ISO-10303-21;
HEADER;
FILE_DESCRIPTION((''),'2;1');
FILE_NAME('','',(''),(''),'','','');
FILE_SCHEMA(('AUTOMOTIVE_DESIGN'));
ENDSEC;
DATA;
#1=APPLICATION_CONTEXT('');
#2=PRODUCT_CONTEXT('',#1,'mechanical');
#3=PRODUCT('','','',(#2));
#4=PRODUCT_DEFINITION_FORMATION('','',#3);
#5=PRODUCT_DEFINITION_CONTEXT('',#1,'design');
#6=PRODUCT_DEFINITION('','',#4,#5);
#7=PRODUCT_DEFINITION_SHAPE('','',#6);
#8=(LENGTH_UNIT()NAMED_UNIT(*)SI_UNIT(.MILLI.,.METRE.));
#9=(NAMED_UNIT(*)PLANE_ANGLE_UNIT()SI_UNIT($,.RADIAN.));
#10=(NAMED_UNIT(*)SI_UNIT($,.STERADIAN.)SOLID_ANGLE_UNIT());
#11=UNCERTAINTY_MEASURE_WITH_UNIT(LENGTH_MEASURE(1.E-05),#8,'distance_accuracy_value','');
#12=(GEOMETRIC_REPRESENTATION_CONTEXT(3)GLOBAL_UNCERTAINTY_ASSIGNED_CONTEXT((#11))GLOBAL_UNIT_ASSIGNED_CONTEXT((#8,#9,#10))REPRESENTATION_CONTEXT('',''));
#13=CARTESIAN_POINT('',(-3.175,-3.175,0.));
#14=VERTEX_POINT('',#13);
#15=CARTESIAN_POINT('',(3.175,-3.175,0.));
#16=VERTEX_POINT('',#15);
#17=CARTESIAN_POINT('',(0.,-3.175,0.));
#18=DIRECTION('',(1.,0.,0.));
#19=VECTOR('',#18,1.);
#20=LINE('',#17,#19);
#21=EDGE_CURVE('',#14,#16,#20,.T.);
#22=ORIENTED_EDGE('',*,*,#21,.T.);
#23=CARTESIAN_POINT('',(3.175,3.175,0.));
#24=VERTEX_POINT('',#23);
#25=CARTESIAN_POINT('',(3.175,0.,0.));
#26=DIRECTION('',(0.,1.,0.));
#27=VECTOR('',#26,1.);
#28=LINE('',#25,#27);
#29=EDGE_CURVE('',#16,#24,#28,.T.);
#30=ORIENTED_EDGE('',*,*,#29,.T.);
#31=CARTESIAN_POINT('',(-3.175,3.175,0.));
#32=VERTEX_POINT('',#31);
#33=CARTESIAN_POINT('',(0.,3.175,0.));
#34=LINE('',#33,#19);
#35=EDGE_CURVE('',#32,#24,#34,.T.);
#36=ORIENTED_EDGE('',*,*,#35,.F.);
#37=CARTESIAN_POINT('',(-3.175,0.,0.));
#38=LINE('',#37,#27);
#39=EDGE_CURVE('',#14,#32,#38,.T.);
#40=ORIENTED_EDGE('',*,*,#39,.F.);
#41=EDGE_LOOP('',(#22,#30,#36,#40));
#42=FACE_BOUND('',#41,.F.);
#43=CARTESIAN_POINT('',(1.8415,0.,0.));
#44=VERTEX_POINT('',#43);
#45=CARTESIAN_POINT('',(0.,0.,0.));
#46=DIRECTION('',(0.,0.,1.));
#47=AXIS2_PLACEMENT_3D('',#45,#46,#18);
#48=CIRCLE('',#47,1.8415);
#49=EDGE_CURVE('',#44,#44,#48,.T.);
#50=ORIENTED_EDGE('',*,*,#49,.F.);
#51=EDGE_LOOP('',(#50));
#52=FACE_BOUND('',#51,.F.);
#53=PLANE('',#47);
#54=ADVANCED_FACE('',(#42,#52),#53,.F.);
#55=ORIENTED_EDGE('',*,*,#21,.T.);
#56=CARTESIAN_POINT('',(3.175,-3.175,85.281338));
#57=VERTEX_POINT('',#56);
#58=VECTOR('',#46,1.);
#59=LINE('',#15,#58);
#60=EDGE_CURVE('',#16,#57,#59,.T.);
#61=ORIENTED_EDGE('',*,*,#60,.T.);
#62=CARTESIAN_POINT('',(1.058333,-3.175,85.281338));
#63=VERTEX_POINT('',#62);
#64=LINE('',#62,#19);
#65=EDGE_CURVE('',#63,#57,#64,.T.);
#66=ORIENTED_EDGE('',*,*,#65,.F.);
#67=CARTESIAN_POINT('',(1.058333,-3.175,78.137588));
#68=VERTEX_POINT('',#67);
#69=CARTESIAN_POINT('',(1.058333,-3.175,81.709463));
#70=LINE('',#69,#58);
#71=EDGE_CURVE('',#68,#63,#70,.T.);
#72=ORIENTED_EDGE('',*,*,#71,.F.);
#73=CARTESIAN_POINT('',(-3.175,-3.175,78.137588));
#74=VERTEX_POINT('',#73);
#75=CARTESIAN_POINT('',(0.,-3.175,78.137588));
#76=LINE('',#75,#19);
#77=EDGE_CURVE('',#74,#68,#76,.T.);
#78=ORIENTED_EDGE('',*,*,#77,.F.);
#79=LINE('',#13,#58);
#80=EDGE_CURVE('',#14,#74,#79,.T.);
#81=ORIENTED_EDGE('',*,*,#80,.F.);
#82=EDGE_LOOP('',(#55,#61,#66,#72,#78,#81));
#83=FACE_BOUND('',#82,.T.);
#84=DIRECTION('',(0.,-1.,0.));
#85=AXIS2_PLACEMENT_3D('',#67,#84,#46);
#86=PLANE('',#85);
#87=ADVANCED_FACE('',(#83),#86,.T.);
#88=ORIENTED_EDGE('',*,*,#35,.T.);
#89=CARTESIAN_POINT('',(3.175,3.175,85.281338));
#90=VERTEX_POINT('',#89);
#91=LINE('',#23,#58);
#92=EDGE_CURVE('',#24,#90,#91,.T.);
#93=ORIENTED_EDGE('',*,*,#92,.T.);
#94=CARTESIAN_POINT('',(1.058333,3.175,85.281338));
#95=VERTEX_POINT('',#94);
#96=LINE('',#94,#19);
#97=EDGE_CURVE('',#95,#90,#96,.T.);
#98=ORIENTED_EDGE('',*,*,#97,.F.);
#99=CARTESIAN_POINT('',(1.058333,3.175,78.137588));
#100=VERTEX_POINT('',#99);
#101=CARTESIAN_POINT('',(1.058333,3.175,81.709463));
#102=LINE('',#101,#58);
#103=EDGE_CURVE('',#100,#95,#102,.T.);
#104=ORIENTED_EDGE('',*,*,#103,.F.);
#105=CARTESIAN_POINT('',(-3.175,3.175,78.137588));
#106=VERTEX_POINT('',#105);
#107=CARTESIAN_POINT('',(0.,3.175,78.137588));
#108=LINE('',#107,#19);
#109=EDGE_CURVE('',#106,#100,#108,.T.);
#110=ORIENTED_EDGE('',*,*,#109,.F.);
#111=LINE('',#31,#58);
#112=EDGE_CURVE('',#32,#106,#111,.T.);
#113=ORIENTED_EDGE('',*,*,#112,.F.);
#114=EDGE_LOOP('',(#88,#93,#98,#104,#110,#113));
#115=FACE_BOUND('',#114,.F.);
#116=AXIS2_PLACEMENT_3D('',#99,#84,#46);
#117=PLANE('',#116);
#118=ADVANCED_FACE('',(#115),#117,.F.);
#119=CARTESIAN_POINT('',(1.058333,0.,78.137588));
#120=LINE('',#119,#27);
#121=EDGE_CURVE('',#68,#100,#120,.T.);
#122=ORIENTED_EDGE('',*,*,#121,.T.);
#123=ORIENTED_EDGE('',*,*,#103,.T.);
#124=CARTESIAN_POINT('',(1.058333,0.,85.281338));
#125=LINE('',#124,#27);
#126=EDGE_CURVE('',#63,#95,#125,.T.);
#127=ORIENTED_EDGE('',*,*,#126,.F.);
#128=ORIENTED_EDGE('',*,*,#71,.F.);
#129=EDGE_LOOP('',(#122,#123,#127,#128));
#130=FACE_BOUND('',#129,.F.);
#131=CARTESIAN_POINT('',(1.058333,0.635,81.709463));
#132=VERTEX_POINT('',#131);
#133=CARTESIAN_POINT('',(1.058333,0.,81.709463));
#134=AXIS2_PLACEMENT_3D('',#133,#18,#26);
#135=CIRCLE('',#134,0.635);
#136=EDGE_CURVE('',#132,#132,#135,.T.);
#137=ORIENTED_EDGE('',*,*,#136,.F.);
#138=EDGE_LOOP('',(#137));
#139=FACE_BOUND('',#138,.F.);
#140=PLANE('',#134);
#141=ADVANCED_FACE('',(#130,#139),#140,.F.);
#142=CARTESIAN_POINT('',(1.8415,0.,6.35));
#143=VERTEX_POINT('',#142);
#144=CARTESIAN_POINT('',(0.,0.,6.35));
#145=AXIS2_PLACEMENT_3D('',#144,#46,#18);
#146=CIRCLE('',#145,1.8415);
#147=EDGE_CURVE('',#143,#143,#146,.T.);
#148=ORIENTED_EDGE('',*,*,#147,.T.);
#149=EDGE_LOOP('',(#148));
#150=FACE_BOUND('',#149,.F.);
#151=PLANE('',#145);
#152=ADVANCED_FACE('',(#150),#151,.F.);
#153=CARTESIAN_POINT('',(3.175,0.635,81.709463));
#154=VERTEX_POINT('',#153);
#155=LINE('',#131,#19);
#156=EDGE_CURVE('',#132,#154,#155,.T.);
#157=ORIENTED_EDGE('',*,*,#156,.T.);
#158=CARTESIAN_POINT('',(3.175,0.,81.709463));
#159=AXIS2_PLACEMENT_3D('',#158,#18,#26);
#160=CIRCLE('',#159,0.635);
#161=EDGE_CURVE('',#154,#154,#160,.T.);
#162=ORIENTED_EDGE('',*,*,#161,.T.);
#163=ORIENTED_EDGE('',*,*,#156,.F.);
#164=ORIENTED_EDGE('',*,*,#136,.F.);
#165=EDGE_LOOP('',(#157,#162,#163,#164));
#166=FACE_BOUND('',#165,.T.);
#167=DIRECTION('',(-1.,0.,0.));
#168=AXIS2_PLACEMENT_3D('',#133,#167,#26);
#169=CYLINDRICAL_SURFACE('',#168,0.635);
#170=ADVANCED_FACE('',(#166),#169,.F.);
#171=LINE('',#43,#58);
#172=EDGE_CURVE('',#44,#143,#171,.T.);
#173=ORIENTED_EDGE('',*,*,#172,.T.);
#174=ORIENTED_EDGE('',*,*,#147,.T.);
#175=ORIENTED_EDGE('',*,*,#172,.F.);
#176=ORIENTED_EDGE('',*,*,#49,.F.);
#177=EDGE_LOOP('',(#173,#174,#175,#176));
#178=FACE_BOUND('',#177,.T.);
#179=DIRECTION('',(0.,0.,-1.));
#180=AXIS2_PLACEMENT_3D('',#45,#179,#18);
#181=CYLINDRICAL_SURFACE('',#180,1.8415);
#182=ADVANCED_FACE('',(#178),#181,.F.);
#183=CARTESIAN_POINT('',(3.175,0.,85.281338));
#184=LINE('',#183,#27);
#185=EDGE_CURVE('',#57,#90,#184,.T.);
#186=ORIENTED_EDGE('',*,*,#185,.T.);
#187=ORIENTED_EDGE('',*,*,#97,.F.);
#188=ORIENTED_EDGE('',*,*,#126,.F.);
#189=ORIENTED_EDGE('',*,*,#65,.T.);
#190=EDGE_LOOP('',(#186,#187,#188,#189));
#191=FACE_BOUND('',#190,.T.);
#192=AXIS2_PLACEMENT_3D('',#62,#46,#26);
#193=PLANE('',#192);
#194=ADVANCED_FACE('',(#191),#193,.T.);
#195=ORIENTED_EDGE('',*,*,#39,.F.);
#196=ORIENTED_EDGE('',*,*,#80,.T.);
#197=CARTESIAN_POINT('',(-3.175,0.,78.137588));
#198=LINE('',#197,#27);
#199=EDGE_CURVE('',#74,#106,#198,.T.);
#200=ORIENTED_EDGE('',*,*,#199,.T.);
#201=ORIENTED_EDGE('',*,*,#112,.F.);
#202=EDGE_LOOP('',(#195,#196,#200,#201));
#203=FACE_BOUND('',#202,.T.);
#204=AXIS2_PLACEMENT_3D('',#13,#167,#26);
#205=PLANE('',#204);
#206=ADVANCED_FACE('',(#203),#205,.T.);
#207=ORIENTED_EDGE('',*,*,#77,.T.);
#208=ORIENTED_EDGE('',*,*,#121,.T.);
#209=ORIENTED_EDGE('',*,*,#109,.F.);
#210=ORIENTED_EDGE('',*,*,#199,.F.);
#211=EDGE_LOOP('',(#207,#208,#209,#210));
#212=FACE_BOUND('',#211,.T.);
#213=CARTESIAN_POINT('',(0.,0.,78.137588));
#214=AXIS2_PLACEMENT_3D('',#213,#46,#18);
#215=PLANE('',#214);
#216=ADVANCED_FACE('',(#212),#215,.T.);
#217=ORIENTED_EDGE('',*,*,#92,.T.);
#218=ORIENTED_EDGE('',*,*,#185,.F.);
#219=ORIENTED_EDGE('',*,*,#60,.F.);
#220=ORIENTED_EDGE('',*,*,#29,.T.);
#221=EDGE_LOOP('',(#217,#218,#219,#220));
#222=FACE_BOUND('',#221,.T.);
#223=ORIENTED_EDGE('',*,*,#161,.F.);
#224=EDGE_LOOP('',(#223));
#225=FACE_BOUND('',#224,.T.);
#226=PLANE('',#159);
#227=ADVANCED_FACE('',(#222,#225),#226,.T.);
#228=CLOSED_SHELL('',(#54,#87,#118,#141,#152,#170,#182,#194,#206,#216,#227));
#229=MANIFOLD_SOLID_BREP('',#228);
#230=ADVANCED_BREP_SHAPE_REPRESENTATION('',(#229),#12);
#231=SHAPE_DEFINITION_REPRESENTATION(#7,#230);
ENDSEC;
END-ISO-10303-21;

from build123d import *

# Parameters (mm, degrees)
F0_W     = 6.35
F0_H     = 6.35
F0_R     = 1.8415
F1_DEPTH = 78.1375882
F2_DEPTH = 6.35
F4_START = 1.0583333333
F3_W     = 6.35
F3_H     = 7.14375
F3_R     = 0.635
F4_DEPTH = 2.1166666667


with BuildPart() as f1:
    # F0 (on Top) → F1 (new body)
    with BuildSketch(Plane.XY):
        Rectangle(F0_W, F0_H)
        Circle(F0_R, mode=Mode.SUBTRACT)
        Circle(F0_R)
    extrude(amount=F1_DEPTH)

    # F0 (on Top) → F2 (cut)
    with BuildSketch(Plane.XY):
        Circle(F0_R)
    extrude(amount=F2_DEPTH, mode=Mode.SUBTRACT)

    # F3 (on Right) → F4 (join)
    with BuildSketch(Plane.YZ.offset(F4_START)):
        with Locations((0, 81.7094632)):
            Rectangle(F3_W, F3_H)
        with Locations((0, 81.7094632)):
            Circle(F3_R, mode=Mode.SUBTRACT)
    extrude(amount=F4_DEPTH)


solid = f1.part
